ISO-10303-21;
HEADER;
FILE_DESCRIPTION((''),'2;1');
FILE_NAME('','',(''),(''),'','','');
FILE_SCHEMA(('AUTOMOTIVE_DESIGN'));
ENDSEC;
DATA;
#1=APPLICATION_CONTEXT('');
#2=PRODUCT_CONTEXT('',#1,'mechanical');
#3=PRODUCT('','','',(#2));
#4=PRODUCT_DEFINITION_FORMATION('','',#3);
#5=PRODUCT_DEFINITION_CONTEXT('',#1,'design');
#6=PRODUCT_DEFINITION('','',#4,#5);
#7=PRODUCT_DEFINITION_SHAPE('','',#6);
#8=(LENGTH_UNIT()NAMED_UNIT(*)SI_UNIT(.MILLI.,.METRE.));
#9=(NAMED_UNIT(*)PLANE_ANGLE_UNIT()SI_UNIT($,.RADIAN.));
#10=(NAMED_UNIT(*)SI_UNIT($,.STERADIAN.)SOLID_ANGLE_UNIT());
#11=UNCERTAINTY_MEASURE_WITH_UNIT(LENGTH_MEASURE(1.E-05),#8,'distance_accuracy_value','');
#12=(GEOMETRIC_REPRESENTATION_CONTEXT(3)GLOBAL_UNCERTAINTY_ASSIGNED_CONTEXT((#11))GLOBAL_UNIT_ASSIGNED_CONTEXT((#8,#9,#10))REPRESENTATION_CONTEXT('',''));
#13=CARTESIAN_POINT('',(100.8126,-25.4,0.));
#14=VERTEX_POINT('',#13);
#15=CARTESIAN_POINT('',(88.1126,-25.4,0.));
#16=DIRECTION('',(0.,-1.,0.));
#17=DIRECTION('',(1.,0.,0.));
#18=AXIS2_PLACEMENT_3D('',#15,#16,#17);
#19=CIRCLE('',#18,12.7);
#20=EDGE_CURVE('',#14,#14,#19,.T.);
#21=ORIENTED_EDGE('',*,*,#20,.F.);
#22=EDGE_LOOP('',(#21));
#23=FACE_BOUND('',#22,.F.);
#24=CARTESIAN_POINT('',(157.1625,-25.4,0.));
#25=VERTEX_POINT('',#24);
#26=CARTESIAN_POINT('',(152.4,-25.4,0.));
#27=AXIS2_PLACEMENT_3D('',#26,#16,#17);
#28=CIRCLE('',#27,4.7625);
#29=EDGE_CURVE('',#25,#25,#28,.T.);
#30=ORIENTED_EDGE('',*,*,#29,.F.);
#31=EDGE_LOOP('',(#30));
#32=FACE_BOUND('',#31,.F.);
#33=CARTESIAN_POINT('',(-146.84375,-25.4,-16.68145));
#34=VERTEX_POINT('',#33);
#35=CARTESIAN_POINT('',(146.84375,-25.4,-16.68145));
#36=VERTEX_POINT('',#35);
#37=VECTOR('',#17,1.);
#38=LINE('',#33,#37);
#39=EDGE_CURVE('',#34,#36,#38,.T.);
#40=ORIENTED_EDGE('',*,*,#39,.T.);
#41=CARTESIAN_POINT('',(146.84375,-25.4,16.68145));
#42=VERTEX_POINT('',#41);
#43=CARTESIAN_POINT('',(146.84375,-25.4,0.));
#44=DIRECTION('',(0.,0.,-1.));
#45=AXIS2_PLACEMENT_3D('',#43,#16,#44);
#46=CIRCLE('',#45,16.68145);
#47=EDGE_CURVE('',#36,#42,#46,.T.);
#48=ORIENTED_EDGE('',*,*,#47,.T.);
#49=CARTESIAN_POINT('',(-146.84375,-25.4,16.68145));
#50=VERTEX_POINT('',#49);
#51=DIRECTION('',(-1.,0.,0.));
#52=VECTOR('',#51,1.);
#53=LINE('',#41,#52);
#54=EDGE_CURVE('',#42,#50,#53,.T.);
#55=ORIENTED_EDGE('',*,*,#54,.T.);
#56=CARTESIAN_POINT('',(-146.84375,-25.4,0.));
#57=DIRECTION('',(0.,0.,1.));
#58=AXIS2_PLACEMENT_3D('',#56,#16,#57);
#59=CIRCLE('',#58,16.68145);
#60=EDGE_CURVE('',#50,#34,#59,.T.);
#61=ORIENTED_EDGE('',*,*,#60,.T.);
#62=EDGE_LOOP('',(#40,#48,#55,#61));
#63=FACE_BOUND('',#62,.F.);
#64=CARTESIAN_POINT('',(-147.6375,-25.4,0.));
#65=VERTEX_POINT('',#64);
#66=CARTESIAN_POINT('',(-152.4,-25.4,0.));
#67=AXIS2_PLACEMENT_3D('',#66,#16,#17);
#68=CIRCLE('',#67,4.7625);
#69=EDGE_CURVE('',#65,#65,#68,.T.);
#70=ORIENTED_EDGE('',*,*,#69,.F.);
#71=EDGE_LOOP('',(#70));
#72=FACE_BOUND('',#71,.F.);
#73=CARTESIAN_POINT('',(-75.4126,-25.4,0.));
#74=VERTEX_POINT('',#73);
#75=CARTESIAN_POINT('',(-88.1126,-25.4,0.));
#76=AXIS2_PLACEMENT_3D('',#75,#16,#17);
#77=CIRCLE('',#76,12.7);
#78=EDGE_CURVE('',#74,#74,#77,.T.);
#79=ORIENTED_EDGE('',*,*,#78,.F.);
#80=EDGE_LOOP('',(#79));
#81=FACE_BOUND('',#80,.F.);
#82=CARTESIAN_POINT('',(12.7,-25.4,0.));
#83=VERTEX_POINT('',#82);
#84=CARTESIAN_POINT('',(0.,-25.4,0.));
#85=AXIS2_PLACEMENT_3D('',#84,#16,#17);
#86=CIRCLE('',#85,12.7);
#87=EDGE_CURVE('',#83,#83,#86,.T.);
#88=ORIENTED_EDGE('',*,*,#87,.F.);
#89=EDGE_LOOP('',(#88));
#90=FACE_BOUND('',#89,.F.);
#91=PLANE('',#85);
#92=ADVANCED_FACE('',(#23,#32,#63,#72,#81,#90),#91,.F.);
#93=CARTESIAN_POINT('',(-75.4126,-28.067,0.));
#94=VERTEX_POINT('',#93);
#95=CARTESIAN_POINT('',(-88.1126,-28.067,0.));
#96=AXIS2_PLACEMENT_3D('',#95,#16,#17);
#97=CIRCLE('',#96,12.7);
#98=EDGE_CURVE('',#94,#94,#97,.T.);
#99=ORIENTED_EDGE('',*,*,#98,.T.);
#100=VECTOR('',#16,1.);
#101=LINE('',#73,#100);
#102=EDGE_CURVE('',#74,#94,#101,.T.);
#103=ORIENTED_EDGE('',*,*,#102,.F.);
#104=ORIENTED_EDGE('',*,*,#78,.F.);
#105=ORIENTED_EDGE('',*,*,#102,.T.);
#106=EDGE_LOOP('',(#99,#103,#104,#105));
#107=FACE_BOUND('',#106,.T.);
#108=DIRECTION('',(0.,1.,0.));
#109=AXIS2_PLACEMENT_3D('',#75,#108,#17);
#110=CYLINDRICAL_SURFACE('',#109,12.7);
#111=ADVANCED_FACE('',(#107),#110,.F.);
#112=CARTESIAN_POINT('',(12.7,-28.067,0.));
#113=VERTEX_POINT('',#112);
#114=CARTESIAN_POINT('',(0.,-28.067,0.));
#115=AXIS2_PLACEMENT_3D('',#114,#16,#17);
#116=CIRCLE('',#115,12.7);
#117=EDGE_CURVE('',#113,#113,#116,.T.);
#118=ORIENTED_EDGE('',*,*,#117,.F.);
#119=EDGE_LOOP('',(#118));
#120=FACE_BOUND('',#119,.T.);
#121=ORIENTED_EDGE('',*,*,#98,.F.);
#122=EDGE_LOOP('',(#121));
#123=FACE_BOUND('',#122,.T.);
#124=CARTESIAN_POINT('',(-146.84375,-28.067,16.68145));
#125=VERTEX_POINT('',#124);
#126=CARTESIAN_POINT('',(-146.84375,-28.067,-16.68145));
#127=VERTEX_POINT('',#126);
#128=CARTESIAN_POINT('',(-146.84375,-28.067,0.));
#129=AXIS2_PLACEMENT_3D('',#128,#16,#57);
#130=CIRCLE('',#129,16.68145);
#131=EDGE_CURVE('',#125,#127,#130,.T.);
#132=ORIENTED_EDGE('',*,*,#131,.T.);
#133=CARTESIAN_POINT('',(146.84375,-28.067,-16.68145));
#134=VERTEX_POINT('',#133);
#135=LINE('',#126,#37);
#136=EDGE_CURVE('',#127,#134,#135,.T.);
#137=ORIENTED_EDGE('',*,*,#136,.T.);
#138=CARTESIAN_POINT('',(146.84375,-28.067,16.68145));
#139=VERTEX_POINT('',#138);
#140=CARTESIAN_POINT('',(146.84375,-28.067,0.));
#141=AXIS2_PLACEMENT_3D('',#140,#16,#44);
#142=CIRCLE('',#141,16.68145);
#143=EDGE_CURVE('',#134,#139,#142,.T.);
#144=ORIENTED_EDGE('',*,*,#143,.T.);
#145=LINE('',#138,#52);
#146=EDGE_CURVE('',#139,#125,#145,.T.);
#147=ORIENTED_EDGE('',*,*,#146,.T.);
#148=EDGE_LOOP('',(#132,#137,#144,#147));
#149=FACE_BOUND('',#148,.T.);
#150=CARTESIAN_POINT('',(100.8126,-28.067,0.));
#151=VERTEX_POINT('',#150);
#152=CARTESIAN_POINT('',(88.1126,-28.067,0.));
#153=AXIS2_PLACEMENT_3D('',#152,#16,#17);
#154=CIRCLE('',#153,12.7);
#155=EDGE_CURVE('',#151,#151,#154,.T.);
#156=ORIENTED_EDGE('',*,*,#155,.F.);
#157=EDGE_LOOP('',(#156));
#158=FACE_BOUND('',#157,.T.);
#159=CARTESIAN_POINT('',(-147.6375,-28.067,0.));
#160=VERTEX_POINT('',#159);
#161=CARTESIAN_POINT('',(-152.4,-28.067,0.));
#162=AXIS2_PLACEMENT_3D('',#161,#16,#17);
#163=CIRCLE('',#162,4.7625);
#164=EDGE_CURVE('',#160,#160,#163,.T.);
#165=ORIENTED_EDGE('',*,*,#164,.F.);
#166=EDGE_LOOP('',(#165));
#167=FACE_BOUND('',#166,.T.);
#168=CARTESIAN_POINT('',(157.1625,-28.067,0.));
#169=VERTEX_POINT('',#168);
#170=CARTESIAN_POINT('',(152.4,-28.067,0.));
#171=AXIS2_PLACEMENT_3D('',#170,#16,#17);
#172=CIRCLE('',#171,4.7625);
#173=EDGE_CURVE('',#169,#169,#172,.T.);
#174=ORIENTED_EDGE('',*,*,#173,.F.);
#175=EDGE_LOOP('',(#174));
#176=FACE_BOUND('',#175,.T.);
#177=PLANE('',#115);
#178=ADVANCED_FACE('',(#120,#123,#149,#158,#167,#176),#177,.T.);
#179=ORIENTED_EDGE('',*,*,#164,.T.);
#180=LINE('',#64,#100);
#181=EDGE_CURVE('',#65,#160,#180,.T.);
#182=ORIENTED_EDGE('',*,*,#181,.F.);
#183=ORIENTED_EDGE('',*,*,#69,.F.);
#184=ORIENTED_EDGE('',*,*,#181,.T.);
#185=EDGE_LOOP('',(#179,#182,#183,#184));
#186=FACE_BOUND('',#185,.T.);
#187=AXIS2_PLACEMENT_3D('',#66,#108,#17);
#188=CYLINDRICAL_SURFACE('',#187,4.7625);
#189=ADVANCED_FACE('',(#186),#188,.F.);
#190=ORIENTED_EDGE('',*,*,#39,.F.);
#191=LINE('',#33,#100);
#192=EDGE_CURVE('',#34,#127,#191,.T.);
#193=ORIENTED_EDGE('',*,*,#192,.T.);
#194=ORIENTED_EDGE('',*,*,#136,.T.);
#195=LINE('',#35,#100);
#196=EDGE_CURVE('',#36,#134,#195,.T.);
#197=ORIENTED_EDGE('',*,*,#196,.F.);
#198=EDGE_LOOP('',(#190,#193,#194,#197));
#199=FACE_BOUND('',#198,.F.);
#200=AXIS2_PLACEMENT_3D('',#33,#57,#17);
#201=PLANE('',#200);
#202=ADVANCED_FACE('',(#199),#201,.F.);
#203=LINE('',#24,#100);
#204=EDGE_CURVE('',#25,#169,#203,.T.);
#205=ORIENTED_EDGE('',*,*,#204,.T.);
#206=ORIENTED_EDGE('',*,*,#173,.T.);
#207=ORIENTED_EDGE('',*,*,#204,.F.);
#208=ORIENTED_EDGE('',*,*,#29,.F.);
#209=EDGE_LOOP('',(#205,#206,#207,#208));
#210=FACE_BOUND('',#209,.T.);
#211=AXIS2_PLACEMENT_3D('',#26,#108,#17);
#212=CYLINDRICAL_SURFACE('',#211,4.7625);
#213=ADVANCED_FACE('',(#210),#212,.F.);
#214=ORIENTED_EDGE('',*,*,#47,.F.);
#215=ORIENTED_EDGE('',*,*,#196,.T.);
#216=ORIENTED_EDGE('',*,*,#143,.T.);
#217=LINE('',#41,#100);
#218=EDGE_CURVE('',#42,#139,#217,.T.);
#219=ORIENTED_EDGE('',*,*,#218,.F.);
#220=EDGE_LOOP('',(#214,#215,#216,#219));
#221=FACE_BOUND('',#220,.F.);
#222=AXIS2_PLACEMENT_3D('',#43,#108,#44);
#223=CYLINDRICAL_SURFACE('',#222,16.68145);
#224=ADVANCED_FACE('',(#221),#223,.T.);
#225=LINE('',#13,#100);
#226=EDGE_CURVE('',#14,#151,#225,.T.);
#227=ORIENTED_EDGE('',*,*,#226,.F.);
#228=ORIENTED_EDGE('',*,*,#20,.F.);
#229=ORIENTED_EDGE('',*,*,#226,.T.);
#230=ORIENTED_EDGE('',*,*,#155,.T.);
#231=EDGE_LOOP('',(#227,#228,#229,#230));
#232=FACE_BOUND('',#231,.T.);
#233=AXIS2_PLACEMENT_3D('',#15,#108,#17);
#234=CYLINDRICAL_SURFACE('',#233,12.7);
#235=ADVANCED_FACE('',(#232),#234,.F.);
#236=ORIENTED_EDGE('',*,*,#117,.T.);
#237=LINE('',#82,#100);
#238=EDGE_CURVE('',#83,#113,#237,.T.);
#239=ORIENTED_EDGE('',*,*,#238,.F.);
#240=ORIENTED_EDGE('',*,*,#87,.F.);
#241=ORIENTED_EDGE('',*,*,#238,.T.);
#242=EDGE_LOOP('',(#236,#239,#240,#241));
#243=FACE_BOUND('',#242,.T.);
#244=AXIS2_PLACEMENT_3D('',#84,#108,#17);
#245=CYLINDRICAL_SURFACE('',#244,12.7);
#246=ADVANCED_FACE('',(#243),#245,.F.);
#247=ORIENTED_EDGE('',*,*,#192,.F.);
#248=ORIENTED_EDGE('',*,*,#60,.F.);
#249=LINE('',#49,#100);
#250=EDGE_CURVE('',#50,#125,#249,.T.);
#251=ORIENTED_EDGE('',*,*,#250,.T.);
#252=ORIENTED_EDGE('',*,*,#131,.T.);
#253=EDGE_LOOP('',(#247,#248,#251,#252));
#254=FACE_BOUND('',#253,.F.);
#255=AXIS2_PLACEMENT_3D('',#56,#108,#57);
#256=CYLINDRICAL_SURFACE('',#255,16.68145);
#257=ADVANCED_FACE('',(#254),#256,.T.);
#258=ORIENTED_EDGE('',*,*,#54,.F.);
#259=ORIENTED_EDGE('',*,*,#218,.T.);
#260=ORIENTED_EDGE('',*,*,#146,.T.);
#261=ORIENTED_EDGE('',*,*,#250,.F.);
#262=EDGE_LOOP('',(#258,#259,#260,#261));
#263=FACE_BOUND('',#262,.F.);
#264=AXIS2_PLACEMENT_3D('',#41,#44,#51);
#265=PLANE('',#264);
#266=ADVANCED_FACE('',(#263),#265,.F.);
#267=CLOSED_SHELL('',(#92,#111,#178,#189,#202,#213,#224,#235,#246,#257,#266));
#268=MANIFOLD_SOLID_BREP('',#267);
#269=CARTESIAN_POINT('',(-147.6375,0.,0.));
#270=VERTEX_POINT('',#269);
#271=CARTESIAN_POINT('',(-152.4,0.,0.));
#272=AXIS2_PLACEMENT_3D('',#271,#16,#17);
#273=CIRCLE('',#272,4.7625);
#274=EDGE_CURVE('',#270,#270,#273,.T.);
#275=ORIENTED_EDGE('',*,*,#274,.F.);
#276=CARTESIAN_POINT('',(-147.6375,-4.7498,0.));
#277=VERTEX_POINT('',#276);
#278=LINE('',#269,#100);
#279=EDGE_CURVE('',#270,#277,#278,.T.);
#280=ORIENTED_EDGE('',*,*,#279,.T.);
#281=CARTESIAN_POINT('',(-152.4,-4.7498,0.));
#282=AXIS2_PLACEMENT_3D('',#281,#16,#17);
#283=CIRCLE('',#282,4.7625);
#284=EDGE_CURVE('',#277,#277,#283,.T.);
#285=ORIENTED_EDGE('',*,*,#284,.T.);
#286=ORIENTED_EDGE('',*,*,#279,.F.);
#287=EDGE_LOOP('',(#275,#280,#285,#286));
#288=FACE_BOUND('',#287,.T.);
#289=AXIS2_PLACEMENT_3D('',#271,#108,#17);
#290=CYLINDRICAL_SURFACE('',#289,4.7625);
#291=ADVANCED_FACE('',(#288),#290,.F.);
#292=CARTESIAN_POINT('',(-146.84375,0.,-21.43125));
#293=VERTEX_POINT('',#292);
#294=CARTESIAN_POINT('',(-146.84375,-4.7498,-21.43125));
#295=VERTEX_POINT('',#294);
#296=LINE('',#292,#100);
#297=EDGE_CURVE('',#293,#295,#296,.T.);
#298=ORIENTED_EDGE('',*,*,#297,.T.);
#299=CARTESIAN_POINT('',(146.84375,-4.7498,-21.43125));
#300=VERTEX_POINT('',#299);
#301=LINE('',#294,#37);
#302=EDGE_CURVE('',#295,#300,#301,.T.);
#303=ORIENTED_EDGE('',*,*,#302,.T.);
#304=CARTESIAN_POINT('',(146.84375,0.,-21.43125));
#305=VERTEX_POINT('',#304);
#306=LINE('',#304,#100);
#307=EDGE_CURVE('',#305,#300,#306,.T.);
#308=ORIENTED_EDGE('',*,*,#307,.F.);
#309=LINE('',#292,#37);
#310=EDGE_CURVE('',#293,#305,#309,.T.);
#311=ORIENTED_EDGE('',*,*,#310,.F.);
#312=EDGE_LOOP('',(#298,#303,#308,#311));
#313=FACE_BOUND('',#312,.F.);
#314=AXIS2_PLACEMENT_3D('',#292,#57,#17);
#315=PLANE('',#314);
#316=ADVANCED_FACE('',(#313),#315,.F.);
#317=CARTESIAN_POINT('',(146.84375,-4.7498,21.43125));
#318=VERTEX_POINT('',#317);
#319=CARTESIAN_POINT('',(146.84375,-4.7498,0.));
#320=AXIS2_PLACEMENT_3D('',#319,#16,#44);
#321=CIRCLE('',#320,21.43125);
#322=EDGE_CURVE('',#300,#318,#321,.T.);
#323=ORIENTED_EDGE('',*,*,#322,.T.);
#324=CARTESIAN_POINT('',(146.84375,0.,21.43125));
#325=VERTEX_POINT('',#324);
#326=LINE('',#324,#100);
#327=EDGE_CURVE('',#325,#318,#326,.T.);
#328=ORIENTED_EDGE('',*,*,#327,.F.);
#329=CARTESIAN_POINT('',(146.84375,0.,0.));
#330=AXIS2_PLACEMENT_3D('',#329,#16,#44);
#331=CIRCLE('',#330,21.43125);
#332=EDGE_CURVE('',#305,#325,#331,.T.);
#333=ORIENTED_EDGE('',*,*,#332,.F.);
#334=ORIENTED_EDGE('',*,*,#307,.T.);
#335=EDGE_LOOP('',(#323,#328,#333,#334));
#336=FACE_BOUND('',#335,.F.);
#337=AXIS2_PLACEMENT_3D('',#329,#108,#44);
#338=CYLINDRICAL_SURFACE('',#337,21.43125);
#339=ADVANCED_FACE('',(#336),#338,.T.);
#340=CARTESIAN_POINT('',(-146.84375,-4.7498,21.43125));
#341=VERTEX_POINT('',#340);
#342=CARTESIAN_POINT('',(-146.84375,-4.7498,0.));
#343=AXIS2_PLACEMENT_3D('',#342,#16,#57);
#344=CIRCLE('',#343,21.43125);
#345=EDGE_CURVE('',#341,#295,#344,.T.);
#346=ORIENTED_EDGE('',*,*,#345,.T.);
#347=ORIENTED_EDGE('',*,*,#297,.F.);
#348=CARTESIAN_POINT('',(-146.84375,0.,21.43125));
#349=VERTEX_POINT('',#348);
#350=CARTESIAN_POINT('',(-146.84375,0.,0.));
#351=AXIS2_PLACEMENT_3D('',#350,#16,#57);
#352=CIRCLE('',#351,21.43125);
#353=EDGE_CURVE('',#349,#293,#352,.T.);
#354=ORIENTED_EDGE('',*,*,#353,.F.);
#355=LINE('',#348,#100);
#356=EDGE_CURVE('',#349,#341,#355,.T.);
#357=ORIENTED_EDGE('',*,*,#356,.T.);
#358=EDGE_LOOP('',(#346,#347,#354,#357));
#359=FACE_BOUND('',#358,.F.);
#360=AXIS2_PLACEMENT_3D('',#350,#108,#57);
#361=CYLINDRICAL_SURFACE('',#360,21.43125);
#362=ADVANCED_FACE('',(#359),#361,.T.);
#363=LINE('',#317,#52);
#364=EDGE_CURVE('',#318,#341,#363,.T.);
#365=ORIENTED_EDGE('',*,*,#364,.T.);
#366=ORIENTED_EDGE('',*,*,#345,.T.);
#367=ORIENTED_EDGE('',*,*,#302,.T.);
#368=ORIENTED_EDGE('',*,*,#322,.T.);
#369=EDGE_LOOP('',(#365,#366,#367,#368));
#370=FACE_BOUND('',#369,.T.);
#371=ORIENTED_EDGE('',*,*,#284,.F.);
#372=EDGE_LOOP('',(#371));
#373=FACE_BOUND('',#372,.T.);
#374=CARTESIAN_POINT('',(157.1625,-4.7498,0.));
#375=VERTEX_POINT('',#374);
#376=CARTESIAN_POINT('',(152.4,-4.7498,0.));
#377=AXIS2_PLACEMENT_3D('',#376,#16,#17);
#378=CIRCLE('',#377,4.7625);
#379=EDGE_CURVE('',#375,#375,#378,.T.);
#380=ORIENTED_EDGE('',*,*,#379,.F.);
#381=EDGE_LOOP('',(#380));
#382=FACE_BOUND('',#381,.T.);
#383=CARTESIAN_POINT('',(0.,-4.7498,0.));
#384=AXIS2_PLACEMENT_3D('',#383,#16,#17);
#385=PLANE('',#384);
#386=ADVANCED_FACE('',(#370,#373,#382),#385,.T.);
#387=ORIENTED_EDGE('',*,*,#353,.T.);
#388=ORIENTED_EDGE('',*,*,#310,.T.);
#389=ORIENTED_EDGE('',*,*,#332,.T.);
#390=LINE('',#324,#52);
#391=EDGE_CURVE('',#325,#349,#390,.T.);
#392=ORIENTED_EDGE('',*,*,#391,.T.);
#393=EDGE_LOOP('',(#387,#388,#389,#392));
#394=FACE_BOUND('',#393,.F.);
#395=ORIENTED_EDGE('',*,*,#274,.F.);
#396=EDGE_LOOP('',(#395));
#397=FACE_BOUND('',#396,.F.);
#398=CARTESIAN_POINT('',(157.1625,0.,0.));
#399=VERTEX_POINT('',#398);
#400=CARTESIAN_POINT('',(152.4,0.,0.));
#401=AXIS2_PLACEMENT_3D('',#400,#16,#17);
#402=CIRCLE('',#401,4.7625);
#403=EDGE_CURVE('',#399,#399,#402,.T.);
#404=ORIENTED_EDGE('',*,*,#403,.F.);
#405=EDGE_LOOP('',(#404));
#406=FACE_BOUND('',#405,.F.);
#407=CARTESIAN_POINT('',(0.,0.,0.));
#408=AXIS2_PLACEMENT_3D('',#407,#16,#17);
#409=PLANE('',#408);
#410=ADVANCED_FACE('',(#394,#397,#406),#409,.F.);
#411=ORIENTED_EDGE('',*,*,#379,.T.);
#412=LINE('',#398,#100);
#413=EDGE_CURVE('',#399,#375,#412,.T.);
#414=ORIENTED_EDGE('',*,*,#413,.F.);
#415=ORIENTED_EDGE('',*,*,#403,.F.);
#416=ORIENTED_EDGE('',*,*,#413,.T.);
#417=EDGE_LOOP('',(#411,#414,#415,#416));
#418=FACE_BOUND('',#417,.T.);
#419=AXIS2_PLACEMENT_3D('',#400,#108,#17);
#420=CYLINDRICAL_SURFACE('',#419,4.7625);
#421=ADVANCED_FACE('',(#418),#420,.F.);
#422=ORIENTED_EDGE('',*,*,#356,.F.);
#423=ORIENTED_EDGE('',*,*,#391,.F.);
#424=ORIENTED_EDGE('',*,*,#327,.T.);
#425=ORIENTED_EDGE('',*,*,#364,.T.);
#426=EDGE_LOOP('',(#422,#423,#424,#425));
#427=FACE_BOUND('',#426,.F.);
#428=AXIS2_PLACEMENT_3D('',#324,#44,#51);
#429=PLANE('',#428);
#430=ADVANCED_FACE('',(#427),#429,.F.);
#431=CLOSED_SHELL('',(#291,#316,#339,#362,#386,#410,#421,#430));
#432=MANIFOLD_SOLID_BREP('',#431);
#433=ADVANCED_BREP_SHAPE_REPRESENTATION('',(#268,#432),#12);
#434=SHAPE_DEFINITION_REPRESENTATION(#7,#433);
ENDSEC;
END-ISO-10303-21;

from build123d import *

# Parameters (mm, degrees)
F0_R     = 4.7625
F1_DEPTH = 4.7498
F3_R     = 4.7625
F3_R_2   = 12.7
F4_DEPTH = 2.667


with BuildPart() as f1:
    # F0 (on Front) → F1 (new body)
    with BuildSketch(Plane.XZ):
        with BuildLine():
            ThreePointArc((146.84375, -21.43125), (168.275, 0), (146.84375, 21.43125))
            Line((146.84375, 21.43125), (-146.84375, 21.43125))
            ThreePointArc((-146.84375, 21.43125), (-168.275, 0), (-146.84375, -21.43125))
            Line((-146.84375, -21.43125), (146.84375, -21.43125))
        make_face()
        with Locations((-152.4, 0)):
            Circle(F0_R, mode=Mode.SUBTRACT)
        with Locations((152.4, 0)):
            Circle(F0_R, mode=Mode.SUBTRACT)
    extrude(amount=F1_DEPTH)


with BuildPart() as f4:
    # F3 (on offset) → F4 (new body)
    with BuildSketch(Plane.XZ.offset(25.4)):
        with BuildLine():
            ThreePointArc((146.84375, -16.68145), (163.5252, 0), (146.84375, 16.68145))
            Line((146.84375, 16.68145), (-146.84375, 16.68145))
            ThreePointArc((-146.84375, 16.68145), (-163.5252, 0), (-146.84375, -16.68145))
            Line((-146.84375, -16.68145), (146.84375, -16.68145))
        make_face()
        with Locations((-152.4, 0)):
            Circle(F3_R, mode=Mode.SUBTRACT)
        with Locations((-88.1126, 0)):
            Circle(F3_R_2, mode=Mode.SUBTRACT)
        Circle(F3_R_2, mode=Mode.SUBTRACT)
        with Locations((88.1126, 0)):
            Circle(F3_R_2, mode=Mode.SUBTRACT)
        with Locations((152.4, 0)):
            Circle(F3_R, mode=Mode.SUBTRACT)
    extrude(amount=F4_DEPTH)


solid = Compound([f1.part, f4.part])
